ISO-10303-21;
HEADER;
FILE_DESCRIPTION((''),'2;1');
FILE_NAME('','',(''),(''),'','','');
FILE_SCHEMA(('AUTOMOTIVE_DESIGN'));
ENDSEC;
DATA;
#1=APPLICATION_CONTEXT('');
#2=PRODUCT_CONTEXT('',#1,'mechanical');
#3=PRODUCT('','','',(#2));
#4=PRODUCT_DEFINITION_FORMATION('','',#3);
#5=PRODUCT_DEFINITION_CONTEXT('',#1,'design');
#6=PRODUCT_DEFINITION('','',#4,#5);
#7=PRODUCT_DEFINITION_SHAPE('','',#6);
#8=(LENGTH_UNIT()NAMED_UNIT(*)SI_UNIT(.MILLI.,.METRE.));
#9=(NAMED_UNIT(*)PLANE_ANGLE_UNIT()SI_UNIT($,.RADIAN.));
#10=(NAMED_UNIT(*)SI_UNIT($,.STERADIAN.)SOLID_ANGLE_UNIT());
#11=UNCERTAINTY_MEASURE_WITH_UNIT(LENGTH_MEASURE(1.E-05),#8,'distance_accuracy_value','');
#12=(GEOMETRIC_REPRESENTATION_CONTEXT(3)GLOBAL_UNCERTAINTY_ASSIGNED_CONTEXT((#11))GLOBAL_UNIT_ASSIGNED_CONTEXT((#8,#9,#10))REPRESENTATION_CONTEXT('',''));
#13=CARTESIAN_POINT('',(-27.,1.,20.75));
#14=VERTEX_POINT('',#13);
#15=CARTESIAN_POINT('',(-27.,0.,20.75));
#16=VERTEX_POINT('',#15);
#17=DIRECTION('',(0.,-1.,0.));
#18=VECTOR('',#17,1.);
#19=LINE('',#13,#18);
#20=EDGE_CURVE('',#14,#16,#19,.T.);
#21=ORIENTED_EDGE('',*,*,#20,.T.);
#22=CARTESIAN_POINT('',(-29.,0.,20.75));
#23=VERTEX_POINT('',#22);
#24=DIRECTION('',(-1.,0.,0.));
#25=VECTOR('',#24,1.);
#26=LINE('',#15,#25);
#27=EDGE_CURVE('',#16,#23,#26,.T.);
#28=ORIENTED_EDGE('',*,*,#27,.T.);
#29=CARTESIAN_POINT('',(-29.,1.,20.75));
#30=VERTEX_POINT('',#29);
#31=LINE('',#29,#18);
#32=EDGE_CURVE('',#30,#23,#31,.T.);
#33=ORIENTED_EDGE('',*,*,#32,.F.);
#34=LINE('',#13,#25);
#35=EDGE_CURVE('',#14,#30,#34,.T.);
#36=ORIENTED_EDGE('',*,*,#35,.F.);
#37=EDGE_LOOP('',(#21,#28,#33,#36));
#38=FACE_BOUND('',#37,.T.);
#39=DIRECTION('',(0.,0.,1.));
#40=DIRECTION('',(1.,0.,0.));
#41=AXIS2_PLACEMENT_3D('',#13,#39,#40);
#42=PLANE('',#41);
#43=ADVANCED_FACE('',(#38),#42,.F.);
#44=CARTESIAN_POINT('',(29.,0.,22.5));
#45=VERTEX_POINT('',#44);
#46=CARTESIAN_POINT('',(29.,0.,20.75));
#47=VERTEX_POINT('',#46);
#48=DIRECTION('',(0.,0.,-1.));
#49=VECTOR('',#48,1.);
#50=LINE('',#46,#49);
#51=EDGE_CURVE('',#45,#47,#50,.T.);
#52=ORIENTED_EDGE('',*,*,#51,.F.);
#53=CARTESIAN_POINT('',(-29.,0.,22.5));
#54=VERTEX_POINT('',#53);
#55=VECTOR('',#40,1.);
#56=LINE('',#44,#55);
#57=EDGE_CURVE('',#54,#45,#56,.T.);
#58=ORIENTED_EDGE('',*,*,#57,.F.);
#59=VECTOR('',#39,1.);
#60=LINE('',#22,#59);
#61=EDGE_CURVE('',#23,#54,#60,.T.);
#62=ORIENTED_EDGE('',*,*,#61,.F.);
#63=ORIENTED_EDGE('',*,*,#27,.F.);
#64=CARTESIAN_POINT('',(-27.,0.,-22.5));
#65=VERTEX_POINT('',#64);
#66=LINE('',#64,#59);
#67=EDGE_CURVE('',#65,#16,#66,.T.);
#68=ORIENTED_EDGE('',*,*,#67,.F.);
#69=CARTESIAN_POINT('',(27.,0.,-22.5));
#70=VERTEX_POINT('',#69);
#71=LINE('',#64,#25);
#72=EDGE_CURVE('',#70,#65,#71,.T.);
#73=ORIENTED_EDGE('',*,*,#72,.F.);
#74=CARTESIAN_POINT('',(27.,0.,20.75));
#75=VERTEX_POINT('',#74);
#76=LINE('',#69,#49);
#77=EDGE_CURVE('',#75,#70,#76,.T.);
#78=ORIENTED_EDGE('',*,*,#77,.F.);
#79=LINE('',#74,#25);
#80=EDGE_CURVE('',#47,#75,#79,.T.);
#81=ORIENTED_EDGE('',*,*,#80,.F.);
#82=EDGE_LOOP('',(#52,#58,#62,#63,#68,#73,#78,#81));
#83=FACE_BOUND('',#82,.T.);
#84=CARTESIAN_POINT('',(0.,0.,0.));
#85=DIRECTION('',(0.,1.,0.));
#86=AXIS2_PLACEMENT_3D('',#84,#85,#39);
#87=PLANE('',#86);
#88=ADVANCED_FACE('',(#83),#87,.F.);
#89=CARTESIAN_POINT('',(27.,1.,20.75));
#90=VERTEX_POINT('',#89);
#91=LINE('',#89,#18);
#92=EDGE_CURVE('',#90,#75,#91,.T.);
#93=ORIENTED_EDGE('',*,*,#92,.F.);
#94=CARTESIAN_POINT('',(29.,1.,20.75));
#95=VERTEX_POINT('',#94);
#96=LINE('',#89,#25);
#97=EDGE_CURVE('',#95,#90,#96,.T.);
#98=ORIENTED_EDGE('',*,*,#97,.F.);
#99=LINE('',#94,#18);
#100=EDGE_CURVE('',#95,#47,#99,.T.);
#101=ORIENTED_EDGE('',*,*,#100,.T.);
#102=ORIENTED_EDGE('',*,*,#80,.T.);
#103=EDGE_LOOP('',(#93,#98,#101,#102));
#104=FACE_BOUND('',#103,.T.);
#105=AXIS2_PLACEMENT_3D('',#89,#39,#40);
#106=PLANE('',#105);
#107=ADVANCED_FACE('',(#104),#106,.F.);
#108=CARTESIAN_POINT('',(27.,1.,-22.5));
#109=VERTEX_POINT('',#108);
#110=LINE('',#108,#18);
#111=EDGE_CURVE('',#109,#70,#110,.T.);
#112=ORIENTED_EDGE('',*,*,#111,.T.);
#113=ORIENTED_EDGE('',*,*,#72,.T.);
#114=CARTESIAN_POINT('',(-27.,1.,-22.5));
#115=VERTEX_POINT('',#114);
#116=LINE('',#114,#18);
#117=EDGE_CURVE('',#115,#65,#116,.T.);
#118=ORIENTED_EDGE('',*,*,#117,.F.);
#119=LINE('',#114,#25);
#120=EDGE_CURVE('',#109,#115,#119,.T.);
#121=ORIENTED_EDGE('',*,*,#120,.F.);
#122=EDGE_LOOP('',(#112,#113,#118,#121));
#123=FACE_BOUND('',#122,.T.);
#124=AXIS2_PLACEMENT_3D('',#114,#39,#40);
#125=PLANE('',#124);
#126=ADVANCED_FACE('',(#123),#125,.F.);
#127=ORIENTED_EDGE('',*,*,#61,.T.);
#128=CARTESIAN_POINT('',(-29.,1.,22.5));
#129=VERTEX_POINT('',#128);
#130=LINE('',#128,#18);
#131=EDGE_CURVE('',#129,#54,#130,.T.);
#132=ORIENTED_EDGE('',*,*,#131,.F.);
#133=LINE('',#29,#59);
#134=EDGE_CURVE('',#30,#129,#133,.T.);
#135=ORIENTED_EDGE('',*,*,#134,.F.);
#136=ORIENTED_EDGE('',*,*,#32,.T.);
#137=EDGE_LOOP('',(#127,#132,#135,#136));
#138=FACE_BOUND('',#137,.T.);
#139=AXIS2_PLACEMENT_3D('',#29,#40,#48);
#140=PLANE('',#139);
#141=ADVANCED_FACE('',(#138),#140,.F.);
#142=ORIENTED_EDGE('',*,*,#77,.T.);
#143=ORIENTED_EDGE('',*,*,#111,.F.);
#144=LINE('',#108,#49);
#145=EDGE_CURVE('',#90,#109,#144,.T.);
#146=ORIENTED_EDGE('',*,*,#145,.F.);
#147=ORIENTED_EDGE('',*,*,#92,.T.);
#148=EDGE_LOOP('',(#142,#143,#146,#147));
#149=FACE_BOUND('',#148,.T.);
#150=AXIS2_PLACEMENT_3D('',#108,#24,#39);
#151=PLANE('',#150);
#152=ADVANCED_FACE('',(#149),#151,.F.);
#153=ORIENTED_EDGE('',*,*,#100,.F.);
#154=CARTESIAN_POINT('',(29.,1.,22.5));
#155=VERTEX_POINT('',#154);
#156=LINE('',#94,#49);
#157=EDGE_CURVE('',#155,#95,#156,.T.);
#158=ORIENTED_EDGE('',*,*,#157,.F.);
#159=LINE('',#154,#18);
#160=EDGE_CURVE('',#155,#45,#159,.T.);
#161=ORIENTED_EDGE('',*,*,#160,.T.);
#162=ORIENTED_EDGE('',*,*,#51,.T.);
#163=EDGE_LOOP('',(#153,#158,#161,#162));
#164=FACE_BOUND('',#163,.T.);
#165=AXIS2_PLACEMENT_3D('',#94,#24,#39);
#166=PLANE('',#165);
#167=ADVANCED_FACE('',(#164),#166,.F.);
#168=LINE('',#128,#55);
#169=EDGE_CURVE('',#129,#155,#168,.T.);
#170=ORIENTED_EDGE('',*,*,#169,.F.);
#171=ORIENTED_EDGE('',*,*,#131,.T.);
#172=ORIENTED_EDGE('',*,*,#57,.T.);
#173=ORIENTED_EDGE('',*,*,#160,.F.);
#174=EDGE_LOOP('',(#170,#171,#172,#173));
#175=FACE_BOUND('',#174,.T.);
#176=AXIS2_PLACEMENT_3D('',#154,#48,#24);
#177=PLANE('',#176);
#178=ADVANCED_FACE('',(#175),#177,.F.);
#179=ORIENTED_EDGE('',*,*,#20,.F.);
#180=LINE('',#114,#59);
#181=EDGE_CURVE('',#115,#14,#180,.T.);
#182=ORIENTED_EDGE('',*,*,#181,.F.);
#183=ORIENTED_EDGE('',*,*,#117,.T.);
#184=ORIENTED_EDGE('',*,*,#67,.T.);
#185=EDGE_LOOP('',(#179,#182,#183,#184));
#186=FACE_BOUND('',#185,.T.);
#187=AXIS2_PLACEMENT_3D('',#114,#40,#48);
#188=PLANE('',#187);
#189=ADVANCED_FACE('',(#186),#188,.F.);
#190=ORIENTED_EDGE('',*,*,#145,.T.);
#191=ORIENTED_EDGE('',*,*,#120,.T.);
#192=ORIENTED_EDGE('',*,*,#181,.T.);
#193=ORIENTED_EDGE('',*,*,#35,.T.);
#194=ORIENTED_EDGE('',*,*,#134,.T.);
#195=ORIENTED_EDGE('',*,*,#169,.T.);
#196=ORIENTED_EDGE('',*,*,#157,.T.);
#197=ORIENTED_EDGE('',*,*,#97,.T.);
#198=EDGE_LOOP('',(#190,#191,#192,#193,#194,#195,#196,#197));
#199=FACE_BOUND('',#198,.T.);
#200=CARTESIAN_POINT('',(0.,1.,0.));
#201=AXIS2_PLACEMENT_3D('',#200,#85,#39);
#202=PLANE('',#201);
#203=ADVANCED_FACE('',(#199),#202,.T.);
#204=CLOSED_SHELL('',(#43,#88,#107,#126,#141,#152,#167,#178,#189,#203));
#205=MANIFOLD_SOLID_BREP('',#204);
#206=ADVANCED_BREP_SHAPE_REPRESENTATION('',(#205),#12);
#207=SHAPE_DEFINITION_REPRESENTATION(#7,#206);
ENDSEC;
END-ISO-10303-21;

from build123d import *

# Parameters (mm, degrees)
BOSS_EXTRUDE1_DEPTH = 1


with BuildPart() as part:
    # Sketch1 → Boss-Extrude1 (new body)
    with BuildSketch(Plane(origin=(0, 0, 0), x_dir=(1, 0, 0), z_dir=(0, 1, 0))):
        Polygon((-27, -22.5), (27, -22.5), (29, -22.5), (29, -20.75), (27, -20.75), (27, 22.5), (-27, 22.5), (-27, -20.75), (-29, -20.75), (-29, -22.5), align=None)
    extrude(amount=BOSS_EXTRUDE1_DEPTH)


solid = part.part
